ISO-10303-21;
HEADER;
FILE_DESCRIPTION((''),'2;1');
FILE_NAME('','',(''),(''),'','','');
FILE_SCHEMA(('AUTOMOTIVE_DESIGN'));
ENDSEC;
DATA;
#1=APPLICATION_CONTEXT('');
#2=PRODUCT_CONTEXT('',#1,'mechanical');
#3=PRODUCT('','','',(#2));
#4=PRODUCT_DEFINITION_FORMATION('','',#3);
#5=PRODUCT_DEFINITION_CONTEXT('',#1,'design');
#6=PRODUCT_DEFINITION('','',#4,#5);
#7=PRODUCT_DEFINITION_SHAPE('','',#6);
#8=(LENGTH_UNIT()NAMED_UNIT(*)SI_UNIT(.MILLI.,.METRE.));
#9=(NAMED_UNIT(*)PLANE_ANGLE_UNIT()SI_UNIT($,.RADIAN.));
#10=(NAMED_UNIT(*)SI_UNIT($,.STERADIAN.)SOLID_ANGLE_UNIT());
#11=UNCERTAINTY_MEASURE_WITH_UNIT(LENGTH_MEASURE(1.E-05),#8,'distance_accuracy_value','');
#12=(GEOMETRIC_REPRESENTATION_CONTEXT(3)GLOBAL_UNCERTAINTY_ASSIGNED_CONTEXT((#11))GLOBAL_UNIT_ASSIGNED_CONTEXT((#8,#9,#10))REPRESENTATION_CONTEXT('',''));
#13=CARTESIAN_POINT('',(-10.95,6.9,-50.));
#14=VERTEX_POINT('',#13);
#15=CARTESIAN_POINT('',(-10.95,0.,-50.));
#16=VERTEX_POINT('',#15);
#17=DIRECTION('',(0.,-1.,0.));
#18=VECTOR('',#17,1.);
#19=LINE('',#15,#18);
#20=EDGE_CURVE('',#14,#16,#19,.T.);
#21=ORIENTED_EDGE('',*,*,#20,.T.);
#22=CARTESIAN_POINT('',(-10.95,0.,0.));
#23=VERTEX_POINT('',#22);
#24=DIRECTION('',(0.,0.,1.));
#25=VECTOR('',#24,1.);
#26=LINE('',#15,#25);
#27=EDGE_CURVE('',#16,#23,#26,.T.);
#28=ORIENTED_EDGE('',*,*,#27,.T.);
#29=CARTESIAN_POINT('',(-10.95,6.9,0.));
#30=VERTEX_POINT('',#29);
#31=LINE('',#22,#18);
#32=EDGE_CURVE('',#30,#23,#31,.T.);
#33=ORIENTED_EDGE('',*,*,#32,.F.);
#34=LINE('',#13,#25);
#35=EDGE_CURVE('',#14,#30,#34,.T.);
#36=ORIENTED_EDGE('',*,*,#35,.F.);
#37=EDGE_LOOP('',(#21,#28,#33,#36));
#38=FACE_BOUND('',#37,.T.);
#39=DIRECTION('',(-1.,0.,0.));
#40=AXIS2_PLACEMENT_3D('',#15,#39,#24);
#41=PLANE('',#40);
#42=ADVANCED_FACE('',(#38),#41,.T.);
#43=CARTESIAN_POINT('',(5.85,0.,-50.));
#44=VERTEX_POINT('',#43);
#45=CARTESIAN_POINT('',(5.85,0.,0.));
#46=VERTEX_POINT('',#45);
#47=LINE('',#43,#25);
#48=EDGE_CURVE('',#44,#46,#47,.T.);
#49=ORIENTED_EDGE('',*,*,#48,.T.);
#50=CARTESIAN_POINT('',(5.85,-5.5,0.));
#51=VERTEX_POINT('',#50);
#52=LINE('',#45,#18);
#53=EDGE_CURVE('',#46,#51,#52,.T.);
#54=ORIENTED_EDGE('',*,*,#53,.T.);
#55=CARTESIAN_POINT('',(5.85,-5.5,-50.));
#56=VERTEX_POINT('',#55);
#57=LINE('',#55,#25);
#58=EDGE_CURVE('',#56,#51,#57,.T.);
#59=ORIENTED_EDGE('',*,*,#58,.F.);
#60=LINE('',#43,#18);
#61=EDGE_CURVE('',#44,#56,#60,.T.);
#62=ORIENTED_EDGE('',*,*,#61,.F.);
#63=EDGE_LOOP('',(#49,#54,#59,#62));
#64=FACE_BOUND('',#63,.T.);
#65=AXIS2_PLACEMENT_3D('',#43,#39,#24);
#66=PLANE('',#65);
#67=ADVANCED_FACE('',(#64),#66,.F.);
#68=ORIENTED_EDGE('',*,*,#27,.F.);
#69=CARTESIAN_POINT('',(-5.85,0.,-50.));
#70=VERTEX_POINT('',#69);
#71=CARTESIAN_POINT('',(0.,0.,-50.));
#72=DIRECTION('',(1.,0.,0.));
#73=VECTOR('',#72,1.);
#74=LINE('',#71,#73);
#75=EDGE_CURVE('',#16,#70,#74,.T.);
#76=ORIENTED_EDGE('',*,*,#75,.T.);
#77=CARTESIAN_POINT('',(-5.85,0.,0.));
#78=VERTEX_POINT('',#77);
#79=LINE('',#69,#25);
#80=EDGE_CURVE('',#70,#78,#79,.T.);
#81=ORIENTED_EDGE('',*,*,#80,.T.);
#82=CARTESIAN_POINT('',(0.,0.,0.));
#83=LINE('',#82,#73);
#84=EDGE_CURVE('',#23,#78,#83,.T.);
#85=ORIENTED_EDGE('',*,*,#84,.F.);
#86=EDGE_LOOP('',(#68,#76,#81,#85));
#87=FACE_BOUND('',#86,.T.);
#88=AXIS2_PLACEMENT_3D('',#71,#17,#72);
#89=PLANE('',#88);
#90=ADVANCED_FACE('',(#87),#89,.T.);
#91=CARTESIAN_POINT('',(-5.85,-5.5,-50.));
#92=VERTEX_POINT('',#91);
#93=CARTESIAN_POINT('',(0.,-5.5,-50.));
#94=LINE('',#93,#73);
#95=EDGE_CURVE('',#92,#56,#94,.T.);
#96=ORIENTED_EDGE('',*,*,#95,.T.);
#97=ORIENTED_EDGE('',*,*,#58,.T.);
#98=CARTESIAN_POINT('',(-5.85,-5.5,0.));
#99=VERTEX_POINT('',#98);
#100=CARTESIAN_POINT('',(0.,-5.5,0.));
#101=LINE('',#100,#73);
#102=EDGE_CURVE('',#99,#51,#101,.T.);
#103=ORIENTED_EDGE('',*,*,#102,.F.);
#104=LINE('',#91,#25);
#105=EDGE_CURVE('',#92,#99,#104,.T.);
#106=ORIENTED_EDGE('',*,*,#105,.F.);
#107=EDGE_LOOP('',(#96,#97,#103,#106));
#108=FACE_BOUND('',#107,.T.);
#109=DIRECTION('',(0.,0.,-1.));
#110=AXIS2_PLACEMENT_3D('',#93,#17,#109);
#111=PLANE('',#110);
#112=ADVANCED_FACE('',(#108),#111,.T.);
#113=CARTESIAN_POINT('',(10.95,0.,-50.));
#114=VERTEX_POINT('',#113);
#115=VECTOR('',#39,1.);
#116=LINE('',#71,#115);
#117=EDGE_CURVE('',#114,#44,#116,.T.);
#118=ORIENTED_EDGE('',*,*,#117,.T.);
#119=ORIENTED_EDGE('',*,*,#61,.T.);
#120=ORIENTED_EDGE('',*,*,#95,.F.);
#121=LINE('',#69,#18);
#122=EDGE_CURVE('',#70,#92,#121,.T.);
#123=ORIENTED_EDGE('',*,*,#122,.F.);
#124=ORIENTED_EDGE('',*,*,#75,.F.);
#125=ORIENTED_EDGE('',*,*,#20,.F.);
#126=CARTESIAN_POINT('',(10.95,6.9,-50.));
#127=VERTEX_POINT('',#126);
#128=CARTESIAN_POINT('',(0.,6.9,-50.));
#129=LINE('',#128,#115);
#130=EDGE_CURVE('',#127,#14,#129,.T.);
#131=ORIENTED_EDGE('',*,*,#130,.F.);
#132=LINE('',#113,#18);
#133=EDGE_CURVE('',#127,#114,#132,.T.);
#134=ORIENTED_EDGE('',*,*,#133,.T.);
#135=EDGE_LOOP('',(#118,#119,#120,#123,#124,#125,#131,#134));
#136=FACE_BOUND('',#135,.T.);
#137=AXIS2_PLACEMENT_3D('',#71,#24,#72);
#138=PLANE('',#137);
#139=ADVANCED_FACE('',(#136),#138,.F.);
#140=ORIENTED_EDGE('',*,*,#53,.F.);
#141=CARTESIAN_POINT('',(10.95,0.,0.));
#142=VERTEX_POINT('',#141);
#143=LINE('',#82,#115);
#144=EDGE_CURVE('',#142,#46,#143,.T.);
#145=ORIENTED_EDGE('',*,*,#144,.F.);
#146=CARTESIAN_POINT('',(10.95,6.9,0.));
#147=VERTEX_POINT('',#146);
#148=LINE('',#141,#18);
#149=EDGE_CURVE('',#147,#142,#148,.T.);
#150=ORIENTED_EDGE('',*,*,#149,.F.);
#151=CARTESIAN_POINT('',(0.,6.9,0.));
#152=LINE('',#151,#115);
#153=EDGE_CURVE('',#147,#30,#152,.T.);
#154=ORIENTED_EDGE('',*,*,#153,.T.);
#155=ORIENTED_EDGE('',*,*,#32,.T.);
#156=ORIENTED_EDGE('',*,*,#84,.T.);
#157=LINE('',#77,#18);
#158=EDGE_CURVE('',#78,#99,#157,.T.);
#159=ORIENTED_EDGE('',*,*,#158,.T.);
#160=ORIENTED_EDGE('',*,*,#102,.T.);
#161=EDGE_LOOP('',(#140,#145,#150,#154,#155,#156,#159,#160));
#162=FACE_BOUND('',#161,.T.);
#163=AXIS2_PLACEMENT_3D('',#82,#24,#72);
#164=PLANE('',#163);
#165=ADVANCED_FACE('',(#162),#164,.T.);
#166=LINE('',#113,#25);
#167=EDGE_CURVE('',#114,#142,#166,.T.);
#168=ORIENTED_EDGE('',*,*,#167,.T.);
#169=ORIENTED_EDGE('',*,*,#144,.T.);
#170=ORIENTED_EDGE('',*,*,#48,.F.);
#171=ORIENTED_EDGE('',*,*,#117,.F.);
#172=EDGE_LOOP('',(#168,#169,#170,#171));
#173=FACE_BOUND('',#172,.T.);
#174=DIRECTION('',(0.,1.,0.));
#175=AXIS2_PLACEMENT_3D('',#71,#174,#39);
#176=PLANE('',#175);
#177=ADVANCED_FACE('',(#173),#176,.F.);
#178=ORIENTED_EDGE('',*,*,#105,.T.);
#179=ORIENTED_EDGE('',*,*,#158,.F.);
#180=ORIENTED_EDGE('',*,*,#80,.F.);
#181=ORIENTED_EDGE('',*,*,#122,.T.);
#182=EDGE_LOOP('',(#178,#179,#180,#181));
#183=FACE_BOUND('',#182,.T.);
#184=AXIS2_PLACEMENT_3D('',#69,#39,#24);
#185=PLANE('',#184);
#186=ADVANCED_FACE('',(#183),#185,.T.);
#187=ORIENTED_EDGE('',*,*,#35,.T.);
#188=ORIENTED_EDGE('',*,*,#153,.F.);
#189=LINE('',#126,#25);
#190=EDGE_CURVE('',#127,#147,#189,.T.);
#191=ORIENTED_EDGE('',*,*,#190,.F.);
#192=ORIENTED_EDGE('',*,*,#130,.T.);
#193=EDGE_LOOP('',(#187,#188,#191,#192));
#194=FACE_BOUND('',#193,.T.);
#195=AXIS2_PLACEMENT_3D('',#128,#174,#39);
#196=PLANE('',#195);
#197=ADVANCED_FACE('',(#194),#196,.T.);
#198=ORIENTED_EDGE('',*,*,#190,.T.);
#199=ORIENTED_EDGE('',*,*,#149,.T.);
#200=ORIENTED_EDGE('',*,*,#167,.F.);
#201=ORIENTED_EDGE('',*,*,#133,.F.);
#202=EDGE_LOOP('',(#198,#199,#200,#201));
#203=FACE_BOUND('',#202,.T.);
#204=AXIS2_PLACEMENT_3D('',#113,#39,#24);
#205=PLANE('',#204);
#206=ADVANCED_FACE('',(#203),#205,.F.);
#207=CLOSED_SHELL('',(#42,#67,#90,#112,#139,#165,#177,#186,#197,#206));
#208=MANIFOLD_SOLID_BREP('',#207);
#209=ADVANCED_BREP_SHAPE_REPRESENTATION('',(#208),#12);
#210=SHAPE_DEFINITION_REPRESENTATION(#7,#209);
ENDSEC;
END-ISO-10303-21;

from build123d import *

# Parameters (mm, degrees)
BOSS_EXTRUDE1_DEPTH = 50


with BuildPart() as part:
    # Sketch1 → Boss-Extrude1 (new body)
    with BuildSketch(Plane.XY):
        Polygon((5.85, 0), (5.85, -5.5), (-5.85, -5.5), (-5.85, 0), (-10.95, 0), (-10.95, 6.9), (10.95, 6.9), (10.95, 0), align=None)
    extrude(amount=-BOSS_EXTRUDE1_DEPTH)


solid = part.part
